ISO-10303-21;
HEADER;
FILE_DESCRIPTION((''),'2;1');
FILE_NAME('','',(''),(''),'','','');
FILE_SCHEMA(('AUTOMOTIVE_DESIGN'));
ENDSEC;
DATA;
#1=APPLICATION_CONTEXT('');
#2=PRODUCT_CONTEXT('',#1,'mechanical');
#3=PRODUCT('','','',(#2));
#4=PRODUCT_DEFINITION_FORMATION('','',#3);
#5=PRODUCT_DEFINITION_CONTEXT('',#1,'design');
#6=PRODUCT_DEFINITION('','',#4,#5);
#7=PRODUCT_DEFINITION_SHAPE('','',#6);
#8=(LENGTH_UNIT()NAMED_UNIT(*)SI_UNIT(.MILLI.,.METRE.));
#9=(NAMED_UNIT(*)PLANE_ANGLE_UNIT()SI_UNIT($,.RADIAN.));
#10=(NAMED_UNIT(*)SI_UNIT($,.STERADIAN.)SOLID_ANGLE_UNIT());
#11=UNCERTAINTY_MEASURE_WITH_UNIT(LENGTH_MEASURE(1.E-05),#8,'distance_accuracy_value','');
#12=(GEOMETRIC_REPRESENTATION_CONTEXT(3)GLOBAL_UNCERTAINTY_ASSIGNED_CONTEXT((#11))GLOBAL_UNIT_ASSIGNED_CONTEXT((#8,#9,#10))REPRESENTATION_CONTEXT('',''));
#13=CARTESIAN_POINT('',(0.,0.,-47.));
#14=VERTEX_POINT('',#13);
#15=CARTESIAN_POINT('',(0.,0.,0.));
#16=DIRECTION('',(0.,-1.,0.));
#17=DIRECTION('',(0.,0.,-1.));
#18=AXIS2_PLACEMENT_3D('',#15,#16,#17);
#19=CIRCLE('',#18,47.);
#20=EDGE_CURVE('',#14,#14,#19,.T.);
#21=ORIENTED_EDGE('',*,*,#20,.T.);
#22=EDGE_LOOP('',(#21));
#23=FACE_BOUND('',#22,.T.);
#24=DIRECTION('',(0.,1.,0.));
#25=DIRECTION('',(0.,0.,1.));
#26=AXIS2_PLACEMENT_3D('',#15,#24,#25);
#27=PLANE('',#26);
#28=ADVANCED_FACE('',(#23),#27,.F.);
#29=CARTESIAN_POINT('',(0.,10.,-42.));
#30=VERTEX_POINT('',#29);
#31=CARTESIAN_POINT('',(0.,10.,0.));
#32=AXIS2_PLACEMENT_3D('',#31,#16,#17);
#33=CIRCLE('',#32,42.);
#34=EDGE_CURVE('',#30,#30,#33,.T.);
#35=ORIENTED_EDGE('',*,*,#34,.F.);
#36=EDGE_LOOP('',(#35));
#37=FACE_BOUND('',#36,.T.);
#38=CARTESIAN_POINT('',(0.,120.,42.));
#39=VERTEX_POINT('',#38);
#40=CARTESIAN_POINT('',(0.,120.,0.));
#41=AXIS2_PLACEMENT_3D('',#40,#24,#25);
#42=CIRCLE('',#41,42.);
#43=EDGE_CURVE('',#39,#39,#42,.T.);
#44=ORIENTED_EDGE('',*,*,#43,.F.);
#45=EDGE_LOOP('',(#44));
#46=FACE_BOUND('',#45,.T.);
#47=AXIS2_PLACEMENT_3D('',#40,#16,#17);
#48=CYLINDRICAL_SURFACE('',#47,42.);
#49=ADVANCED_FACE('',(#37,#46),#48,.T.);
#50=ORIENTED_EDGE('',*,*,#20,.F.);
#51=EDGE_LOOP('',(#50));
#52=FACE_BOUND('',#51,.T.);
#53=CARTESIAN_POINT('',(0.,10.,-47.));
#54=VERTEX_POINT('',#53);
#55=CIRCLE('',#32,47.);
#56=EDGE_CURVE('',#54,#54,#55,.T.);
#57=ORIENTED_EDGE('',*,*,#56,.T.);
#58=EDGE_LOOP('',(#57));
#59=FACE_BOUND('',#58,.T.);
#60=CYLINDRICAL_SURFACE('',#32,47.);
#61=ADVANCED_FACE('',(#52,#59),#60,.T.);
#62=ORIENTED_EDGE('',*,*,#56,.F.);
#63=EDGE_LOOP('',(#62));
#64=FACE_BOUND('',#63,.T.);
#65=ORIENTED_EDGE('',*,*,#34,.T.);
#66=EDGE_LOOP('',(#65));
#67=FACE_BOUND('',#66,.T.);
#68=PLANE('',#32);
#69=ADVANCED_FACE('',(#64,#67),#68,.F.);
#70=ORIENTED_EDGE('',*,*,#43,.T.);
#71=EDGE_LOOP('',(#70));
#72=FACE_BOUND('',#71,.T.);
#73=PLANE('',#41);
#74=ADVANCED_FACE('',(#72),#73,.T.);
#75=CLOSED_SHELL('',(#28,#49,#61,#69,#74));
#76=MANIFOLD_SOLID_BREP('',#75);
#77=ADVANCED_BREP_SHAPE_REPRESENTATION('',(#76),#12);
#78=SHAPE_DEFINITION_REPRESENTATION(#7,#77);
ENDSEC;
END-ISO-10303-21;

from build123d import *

# Parameters (mm, degrees)
SKETCH1_R           = 42
BOSS_EXTRUDE1_DEPTH = 120
SKETCH2_R           = 47
SKETCH2_R_2         = 42
BOSS_EXTRUDE2_DEPTH = 10


with BuildPart() as part:
    # Sketch1 → Boss-Extrude1 (new body)
    with BuildSketch(Plane(origin=(0, 0, 0), x_dir=(1, 0, 0), z_dir=(0, 1, 0))):
        Circle(SKETCH1_R)
    extrude(amount=BOSS_EXTRUDE1_DEPTH)

    # Sketch2 → Boss-Extrude2 (add)
    with BuildSketch(Plane.XZ):
        Circle(SKETCH2_R)
        Circle(SKETCH2_R_2, mode=Mode.SUBTRACT)
    extrude(amount=-BOSS_EXTRUDE2_DEPTH)


solid = part.part
